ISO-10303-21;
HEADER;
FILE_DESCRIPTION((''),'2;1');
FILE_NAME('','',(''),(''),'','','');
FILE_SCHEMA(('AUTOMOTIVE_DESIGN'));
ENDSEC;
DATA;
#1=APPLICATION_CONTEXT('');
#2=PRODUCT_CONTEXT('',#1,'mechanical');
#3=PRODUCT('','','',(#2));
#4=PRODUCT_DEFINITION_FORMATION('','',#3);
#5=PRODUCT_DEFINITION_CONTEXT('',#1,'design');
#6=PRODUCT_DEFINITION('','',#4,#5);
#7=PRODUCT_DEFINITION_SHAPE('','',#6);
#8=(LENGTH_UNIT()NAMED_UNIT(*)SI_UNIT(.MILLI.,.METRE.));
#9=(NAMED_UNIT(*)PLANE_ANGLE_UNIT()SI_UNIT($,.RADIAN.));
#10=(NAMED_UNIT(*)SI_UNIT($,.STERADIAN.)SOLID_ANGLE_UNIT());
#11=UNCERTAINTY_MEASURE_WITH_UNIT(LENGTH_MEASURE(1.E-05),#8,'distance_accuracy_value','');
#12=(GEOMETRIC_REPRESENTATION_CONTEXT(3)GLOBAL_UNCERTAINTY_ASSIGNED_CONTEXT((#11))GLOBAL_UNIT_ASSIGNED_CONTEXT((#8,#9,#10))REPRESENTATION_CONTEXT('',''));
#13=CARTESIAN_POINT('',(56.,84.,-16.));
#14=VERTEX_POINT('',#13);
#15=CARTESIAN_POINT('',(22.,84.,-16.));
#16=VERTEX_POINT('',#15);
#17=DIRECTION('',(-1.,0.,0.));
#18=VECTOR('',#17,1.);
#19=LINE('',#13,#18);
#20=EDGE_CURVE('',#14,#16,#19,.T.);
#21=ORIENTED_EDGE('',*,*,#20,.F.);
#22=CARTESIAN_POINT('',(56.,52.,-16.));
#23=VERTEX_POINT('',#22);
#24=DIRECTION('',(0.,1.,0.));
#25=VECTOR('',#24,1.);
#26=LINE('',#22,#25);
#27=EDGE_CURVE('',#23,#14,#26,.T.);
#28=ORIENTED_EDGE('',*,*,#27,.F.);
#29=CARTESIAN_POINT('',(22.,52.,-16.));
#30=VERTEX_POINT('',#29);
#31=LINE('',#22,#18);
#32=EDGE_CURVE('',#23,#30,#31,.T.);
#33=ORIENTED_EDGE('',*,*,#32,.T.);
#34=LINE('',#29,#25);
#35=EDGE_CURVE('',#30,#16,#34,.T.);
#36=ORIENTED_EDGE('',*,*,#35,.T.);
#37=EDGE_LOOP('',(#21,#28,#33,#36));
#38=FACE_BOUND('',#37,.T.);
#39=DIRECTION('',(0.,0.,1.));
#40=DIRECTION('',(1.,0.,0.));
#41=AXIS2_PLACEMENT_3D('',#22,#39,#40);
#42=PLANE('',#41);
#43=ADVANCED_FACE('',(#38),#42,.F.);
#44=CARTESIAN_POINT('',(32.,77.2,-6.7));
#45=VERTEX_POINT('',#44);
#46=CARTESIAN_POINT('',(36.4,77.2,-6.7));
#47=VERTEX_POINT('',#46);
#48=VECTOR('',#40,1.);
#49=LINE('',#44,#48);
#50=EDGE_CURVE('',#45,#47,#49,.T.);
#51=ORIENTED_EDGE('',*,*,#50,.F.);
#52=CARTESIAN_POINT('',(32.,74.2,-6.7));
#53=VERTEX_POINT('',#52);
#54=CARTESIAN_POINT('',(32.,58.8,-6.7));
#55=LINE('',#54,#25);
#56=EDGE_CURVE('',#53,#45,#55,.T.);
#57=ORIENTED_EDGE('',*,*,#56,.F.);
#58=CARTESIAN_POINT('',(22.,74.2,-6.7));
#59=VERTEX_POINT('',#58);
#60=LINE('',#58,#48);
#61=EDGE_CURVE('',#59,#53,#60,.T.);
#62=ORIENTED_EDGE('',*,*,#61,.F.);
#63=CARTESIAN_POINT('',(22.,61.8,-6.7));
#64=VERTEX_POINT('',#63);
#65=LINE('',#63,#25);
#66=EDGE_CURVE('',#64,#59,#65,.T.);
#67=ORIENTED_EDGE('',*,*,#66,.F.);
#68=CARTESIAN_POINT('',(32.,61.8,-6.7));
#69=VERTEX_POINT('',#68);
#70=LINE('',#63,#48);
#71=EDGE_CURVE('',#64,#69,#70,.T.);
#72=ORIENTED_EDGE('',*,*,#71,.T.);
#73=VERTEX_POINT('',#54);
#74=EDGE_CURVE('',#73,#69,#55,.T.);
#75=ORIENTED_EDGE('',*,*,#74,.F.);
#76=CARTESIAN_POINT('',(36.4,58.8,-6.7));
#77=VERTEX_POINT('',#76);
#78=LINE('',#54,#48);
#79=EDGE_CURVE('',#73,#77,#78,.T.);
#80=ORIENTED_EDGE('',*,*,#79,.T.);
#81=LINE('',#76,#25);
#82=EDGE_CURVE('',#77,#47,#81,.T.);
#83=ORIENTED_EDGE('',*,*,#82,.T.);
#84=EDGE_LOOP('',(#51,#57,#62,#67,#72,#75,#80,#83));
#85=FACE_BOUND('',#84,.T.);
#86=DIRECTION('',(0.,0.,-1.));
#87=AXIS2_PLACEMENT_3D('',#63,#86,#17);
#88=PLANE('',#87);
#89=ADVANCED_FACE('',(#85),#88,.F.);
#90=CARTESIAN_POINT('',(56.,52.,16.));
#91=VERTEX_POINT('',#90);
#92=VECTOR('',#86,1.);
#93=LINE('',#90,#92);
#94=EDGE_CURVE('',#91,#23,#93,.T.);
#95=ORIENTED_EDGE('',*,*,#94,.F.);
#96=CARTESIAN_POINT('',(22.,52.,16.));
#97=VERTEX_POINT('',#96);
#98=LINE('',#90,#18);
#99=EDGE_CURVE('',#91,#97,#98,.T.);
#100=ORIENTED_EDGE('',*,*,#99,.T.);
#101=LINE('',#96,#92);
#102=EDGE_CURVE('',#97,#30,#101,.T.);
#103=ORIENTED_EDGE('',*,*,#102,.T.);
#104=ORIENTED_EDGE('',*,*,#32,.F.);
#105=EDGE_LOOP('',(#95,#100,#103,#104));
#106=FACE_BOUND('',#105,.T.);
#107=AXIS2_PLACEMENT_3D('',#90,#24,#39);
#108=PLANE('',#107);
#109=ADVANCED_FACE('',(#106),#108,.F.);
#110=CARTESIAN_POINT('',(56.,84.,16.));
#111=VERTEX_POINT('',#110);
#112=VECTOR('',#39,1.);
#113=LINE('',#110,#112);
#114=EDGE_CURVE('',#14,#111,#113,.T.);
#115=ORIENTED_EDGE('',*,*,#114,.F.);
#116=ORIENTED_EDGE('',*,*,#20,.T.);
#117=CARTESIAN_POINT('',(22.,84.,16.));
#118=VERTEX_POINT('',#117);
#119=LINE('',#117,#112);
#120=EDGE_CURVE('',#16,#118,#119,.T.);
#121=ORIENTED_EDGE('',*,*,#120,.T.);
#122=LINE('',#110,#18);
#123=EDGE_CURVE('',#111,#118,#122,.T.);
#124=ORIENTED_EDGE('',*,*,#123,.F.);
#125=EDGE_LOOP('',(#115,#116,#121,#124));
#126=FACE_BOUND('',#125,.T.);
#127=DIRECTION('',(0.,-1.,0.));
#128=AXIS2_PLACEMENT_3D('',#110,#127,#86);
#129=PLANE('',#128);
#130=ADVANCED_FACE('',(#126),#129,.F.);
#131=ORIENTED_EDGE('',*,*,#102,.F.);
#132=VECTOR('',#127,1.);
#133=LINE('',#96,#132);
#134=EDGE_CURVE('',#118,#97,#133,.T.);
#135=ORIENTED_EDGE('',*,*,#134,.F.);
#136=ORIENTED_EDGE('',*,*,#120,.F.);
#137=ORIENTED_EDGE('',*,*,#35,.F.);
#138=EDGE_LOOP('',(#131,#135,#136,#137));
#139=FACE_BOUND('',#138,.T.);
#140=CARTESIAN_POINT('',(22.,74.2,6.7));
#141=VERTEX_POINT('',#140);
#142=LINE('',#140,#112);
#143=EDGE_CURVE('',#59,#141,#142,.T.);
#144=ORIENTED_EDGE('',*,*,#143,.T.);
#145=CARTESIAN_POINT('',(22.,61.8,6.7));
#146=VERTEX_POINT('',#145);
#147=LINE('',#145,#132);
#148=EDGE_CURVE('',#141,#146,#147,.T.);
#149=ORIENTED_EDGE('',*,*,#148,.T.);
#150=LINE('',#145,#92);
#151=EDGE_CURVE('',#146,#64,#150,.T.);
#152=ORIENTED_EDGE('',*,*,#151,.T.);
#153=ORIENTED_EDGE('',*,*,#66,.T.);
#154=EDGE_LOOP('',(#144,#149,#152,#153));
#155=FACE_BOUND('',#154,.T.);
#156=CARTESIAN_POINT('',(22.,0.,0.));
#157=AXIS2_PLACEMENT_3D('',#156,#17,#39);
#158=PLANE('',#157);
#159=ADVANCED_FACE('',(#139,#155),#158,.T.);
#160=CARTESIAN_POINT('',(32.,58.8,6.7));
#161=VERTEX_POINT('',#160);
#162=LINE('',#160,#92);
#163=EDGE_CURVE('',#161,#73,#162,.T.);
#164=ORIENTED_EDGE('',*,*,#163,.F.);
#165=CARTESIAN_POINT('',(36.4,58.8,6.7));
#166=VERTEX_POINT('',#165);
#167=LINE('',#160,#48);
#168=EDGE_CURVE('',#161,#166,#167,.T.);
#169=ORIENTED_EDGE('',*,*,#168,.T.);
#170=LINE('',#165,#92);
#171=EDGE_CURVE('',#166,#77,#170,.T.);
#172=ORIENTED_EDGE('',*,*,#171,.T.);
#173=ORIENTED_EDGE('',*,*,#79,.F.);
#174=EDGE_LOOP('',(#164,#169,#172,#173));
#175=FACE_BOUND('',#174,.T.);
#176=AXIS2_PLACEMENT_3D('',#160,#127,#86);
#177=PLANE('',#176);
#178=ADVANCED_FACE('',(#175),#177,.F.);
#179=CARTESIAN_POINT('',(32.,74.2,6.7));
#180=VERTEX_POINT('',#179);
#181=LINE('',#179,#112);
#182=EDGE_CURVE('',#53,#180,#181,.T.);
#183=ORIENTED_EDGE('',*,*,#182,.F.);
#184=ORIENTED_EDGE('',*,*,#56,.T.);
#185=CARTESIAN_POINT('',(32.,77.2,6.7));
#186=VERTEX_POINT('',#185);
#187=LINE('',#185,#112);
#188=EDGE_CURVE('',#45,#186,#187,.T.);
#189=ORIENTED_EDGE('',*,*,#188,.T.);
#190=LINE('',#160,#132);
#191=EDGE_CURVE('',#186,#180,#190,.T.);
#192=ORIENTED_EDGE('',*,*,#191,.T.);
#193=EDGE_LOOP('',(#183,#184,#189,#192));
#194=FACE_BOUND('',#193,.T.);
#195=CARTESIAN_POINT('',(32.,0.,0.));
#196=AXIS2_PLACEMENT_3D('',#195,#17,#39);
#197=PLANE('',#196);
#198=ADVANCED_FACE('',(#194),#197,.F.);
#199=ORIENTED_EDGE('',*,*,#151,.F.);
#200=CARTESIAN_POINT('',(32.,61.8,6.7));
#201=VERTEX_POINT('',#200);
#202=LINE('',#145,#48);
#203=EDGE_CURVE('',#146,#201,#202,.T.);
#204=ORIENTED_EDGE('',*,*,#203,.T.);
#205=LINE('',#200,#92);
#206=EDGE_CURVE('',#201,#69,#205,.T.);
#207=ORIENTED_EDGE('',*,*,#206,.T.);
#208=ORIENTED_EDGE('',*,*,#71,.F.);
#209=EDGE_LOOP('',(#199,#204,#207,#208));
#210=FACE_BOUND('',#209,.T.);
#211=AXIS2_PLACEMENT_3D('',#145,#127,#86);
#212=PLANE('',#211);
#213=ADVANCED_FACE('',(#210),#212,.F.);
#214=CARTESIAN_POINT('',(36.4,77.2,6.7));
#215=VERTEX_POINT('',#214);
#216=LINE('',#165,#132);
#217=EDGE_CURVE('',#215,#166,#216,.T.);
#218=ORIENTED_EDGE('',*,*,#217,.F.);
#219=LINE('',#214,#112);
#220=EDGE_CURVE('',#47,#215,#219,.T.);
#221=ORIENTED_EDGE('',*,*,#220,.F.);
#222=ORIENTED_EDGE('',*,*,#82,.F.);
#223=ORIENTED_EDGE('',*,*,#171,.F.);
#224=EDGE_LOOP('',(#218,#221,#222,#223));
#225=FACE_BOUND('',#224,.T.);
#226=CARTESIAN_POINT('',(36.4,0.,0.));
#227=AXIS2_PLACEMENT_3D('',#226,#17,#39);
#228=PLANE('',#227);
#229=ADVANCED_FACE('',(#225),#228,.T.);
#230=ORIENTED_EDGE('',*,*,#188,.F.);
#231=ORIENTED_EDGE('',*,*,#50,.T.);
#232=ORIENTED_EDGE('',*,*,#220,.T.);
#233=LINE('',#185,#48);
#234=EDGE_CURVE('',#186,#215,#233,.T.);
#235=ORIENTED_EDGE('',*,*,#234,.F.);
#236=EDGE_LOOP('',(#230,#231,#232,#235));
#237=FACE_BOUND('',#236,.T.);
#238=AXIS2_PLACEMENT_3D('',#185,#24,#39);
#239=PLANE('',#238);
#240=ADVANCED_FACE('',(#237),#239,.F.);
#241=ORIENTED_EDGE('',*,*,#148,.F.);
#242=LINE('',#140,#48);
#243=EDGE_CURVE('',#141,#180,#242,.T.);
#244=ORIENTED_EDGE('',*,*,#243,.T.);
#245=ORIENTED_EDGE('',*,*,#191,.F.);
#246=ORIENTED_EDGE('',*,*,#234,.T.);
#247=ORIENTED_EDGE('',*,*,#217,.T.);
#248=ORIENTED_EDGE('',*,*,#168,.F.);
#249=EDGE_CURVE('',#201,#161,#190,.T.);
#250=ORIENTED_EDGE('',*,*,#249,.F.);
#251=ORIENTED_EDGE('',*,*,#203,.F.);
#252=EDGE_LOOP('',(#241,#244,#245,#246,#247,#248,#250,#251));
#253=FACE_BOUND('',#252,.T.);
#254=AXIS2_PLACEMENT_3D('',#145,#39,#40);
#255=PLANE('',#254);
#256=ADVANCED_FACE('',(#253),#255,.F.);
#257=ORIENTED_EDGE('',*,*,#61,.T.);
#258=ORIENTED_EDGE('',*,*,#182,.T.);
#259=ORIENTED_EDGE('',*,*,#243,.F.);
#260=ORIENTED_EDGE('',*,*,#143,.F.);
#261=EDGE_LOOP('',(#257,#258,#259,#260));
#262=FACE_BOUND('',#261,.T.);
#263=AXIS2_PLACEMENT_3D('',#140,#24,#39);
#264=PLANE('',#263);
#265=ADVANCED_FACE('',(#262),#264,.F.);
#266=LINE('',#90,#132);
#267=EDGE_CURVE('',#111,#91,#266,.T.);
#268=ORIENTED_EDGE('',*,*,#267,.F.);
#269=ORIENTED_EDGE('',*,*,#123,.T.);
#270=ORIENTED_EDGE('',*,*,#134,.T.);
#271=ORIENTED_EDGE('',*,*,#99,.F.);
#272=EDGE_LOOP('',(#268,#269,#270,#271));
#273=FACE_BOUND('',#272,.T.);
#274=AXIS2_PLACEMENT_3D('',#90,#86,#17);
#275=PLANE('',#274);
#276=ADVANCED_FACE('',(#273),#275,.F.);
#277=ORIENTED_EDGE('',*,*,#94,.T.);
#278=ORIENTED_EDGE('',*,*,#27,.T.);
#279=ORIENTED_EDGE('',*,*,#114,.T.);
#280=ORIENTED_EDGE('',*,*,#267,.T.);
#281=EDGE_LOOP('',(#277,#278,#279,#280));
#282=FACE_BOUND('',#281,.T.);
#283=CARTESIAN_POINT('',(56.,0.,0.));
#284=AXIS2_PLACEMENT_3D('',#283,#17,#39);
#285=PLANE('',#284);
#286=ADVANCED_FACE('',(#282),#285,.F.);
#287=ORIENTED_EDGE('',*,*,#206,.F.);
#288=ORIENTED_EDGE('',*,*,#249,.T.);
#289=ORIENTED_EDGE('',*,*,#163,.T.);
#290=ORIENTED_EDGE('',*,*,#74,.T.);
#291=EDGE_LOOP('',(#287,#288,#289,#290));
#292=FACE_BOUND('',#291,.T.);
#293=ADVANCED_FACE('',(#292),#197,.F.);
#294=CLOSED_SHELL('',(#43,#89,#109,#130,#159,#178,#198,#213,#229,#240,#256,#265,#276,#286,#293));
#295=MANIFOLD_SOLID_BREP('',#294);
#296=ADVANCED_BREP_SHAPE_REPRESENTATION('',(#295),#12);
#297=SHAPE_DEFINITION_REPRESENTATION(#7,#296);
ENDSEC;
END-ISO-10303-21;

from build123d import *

# Parameters (mm, degrees)
BOSS_EXTRUDE1_START = 39
SKETCH1_W           = 32
SKETCH1_H           = 32
BOSS_EXTRUDE1_DEPTH = 17
CUT_EXTRUDE1_START  = 27
SKETCH2_W           = 13.4
SKETCH2_H           = 12.4
CUT_EXTRUDE1_DEPTH  = 5
CUT_EXTRUDE2_START  = 34.2
SKETCH3_W           = 13.4
SKETCH3_H           = 18.4
CUT_EXTRUDE2_DEPTH  = 2.2


with BuildPart() as part:
    # Sketch1 → Boss-Extrude1 (new, symmetric)
    with BuildSketch(Plane(origin=(0, 0, 0), x_dir=(0, 0, -1), z_dir=(1, 0, 0)).offset(BOSS_EXTRUDE1_START)):
        with Locations((0, 68)):
            Rectangle(SKETCH1_W, SKETCH1_H)
    extrude(amount=BOSS_EXTRUDE1_DEPTH, both=True)

    # Sketch2 → Cut-Extrude1 (cut, symmetric)
    with BuildSketch(Plane(origin=(0, 0, 0), x_dir=(0, 0, -1), z_dir=(1, 0, 0)).offset(CUT_EXTRUDE1_START)):
        with Locations((0, 68)):
            Rectangle(SKETCH2_W, SKETCH2_H)
    extrude(amount=CUT_EXTRUDE1_DEPTH, both=True, mode=Mode.SUBTRACT)

    # Sketch3 → Cut-Extrude2 (cut, symmetric)
    with BuildSketch(Plane(origin=(0, 0, 0), x_dir=(0, 0, -1), z_dir=(1, 0, 0)).offset(CUT_EXTRUDE2_START)):
        with Locations((0, 68)):
            Rectangle(SKETCH3_W, SKETCH3_H)
    extrude(amount=CUT_EXTRUDE2_DEPTH, both=True, mode=Mode.SUBTRACT)


solid = part.part
